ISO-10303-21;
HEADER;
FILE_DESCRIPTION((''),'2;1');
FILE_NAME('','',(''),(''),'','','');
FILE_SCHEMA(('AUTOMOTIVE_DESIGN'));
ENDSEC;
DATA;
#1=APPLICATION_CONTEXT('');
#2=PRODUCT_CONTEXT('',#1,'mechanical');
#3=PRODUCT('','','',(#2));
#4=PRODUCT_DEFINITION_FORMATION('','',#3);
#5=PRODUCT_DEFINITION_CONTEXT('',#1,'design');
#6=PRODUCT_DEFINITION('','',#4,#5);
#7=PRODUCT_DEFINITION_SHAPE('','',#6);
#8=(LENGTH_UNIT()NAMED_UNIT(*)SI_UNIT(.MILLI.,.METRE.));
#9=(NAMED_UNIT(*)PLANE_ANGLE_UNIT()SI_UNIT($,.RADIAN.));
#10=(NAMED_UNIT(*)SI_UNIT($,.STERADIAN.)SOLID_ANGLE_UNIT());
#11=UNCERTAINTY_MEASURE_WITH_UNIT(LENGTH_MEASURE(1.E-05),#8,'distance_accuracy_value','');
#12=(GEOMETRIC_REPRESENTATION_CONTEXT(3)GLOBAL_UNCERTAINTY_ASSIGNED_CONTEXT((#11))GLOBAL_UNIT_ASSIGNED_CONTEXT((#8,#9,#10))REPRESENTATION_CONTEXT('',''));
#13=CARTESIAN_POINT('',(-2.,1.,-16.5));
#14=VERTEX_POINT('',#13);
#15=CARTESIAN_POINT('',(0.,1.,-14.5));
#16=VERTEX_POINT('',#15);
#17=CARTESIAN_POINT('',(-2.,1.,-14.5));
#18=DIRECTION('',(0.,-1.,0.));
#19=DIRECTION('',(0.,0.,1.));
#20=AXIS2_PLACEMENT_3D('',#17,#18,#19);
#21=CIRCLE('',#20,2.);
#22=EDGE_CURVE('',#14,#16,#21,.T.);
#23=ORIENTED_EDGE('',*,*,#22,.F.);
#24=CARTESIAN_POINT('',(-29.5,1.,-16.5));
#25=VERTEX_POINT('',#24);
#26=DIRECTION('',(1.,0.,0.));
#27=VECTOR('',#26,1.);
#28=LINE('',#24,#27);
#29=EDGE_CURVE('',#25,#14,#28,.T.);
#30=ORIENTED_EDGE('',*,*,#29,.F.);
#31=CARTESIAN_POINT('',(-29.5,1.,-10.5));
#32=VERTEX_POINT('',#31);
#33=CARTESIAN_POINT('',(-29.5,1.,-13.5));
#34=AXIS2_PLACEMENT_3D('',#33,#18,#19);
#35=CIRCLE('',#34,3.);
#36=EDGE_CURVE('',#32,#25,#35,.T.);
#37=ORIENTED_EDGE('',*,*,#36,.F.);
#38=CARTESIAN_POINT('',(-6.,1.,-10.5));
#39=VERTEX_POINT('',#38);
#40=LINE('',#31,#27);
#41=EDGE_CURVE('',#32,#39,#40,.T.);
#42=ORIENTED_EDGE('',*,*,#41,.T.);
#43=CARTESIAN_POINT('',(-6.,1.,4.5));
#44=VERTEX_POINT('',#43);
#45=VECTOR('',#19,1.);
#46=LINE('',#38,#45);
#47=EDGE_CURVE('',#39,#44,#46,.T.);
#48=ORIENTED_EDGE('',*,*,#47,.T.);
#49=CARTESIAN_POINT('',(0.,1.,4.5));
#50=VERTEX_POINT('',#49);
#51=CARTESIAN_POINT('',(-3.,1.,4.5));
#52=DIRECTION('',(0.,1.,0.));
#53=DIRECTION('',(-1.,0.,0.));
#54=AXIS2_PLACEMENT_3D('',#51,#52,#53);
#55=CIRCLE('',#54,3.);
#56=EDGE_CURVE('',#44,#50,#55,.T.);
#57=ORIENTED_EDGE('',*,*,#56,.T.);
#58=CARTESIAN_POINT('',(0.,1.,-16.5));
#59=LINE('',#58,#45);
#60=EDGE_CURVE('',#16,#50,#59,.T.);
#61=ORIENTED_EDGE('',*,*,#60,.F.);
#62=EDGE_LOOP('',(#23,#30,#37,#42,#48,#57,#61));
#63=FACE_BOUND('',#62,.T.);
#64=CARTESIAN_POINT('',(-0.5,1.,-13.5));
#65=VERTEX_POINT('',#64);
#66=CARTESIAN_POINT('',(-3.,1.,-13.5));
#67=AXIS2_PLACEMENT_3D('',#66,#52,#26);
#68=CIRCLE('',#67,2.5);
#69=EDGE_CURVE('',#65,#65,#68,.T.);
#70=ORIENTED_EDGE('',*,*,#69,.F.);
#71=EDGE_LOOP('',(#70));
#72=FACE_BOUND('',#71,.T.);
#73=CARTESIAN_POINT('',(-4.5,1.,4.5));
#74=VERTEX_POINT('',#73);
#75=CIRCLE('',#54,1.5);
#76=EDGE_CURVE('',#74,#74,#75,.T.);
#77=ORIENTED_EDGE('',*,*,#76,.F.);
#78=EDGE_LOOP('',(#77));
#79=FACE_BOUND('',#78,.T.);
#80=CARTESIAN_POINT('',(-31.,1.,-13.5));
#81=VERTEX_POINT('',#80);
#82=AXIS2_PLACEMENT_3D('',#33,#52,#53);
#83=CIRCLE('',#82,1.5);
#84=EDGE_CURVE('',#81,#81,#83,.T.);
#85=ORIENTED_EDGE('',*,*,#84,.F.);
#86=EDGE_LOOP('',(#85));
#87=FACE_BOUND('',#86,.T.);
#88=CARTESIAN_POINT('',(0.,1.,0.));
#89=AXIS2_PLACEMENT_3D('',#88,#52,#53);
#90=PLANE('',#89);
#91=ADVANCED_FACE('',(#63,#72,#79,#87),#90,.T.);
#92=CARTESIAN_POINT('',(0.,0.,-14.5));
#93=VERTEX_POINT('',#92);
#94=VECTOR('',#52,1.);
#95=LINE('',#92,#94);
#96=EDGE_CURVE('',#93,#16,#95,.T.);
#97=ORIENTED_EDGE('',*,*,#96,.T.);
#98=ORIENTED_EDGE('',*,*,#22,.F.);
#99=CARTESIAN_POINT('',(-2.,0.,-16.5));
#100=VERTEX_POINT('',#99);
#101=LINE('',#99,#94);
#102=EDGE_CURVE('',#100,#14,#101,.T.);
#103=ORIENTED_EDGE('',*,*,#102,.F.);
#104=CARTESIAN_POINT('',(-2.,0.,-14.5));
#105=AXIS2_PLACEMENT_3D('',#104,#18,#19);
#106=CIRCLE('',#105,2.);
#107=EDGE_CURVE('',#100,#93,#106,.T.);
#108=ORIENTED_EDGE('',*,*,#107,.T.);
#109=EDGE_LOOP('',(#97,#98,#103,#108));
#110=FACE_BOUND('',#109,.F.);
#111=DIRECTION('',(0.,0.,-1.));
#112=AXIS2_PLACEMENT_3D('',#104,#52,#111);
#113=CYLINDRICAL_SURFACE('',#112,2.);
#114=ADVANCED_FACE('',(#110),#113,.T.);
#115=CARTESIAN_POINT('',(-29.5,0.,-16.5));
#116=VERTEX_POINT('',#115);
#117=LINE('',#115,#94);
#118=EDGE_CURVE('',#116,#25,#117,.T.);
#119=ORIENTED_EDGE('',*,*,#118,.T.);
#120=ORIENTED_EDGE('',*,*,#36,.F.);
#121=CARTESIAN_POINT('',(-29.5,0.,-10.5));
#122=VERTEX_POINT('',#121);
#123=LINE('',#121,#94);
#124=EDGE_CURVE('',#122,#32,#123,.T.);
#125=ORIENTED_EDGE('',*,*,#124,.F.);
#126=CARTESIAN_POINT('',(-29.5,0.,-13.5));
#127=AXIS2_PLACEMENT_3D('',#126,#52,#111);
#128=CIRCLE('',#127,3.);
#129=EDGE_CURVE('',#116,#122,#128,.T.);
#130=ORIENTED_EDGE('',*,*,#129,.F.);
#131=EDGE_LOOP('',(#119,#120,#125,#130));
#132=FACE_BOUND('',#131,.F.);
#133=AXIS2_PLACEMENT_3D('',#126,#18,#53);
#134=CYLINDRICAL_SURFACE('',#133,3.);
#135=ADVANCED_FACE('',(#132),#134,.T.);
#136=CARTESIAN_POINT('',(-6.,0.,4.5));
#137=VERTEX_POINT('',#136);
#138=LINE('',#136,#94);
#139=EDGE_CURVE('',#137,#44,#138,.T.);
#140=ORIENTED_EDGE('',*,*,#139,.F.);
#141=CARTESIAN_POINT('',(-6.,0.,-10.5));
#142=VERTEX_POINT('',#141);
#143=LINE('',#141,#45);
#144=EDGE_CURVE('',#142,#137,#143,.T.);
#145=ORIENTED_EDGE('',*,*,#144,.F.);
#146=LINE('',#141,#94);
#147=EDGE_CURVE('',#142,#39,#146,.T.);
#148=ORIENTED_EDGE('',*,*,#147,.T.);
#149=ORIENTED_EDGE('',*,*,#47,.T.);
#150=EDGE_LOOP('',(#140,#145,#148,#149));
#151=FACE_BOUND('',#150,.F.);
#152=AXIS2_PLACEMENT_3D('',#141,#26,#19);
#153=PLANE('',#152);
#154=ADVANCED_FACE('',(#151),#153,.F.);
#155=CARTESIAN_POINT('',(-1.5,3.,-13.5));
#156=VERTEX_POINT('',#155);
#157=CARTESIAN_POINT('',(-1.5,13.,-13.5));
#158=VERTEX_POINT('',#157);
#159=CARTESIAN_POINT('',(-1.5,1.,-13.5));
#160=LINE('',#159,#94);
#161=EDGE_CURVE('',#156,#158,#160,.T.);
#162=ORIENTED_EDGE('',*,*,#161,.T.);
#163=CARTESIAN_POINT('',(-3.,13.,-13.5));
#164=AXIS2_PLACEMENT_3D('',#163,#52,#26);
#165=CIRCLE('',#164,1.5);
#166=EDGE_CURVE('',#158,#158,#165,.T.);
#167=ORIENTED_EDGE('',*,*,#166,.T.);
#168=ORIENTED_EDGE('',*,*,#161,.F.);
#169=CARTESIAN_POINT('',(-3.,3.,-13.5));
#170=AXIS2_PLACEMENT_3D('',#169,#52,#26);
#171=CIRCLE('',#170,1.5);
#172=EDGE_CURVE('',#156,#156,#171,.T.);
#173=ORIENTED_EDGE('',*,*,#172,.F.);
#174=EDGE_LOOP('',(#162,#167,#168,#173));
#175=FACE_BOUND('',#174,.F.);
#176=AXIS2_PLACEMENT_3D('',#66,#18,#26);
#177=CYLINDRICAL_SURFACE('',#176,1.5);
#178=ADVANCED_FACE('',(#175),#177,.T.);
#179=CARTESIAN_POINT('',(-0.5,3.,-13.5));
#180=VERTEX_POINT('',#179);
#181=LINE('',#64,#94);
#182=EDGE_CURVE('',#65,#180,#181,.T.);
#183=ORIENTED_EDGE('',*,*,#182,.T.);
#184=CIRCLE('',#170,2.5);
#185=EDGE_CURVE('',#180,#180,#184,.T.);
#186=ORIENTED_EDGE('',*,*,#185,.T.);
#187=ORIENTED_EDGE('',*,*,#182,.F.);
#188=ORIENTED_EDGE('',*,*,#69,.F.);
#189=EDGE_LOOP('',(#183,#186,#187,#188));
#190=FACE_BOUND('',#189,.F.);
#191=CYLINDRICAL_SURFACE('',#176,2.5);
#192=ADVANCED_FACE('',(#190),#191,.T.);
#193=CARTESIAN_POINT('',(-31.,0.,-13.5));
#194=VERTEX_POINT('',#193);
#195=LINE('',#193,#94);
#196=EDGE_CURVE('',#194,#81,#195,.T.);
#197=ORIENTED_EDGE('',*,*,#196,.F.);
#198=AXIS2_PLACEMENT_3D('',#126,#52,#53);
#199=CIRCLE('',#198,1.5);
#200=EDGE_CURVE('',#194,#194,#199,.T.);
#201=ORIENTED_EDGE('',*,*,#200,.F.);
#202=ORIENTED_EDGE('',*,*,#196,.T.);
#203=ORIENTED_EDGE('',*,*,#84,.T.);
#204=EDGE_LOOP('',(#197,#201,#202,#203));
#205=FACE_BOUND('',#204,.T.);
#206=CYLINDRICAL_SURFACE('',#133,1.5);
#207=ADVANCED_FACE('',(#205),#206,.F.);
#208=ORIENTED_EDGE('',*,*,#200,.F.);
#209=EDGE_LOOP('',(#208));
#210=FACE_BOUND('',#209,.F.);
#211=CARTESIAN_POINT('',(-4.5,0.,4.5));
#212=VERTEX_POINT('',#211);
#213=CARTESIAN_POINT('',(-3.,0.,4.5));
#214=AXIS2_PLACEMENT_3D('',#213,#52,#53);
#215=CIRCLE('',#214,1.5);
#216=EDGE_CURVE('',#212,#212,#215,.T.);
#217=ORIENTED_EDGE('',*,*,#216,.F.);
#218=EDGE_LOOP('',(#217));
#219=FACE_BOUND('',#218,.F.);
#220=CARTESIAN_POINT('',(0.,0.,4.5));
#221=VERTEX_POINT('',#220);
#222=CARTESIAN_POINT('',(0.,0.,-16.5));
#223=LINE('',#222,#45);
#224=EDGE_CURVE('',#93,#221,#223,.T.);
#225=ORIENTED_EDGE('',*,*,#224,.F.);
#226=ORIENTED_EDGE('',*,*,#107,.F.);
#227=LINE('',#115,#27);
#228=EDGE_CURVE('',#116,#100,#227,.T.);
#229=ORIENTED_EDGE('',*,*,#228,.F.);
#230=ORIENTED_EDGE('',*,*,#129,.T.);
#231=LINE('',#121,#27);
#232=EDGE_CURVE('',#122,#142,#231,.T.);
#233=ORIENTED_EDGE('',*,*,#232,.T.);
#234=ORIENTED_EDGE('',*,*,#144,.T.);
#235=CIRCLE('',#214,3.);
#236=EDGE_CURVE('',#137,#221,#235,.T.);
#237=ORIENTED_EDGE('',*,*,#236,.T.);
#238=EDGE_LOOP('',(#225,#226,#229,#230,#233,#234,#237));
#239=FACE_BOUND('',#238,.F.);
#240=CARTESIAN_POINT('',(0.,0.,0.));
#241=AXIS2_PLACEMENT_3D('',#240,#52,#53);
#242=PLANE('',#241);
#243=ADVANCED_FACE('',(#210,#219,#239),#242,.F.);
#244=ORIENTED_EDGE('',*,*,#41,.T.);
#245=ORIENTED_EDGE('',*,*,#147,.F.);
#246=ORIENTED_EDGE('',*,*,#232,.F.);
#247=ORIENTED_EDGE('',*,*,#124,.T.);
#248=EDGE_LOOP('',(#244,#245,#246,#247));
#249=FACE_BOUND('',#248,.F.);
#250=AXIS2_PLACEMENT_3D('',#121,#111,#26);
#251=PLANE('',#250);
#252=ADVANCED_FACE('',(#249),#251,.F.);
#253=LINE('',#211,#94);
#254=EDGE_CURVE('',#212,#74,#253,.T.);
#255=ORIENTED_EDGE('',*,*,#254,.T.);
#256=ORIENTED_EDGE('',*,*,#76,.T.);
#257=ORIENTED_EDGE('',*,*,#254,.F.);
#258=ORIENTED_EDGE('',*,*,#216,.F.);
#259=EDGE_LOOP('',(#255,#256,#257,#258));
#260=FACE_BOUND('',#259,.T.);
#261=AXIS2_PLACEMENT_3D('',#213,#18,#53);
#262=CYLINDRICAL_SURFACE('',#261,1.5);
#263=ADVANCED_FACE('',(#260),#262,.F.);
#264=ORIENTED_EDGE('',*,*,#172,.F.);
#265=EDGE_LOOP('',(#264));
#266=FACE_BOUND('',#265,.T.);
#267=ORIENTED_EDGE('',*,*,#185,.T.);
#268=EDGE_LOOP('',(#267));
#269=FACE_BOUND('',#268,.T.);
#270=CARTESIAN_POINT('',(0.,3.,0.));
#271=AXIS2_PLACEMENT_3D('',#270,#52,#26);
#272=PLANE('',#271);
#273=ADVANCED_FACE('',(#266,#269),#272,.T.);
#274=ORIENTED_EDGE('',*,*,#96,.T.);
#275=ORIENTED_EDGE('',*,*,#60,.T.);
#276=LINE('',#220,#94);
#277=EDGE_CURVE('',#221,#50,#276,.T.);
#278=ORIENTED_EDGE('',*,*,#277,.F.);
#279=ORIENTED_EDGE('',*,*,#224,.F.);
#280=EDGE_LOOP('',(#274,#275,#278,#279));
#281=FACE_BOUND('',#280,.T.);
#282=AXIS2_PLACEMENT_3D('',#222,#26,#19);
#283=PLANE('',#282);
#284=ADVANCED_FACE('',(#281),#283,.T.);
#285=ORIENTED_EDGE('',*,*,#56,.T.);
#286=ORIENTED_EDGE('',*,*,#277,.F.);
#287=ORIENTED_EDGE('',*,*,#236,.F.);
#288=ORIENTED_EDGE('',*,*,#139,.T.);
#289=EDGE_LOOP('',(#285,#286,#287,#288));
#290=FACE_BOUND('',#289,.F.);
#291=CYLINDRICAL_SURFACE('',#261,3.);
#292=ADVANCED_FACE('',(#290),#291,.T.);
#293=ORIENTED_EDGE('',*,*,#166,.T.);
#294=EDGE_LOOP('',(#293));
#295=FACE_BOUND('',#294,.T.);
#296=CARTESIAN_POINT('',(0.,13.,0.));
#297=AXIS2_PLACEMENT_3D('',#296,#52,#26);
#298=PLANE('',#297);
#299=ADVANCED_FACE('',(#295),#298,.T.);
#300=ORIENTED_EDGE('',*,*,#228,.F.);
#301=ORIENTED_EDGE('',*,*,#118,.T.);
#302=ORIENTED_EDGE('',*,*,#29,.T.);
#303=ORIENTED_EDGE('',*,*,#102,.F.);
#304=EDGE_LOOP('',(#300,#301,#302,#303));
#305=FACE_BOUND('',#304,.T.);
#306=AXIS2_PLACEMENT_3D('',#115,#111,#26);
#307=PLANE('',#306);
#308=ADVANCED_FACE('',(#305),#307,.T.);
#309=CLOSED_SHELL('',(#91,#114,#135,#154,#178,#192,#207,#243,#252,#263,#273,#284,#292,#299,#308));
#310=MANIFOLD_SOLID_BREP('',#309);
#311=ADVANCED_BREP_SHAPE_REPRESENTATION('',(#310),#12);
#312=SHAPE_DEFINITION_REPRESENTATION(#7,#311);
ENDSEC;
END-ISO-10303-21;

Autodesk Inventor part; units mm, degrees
ref_plane "YZ Plane" through (0, 0, 0) normal (1, 0, 0) x (0, 1, 0)
ref_plane "XZ Plane" through (0, 0, 0) normal (0, 1, 0) x (-1, 0, 0)
ref_plane "XY Plane" through (0, 0, 0) normal (0, 0, 1) x (1, 0, 0)
sketch "Sketch1" plane through (0, 0, 0) normal (0, 1, 0) x (-1, 0, 0)
  circle A0 centre (3, -13.5) radius 1.5
  circle A1 centre (29.5, -13.5) radius 1.5
  circle A2 centre (29.5, -13.5) radius 3
  circle A3 centre (3, 4.5) radius 1.5
  circle A4 centre (3, 4.5) radius 3
  line L0 (29.5, -16.5) -> (0, -16.5)
  line L1 (0, -16.5) -> (0, 4.5)
  line L2 (29.5, -10.5) -> (6, -10.5)
  line L3 (6, -10.5) -> (6, 4.5)
  point P0 (0, 0)
  dimension "d24" = 3
  dimension "d57" = 3
  dimension "d58" = 6
  dimension "d59" = 3
  dimension "d60" = 6
ref_plane "Work Plane1" through (0, 1, 0) normal (0, 1, 0) x (1, 0, 0)
sketch "Sketch2" plane through (0, 1, 0) normal (0, 1, 0) x (1, 0, 0)
  line L0 (0, -4.5) -> (0, 14.5) projected
  circle A0 centre (-3, 13.5) radius 1.5 projected
  circle A1 centre (-3, 13.5) radius 1.5
  circle A2 centre (-3, 13.5) radius 2.5
  point P0 (0, 0)
  point P1 (-6, 10.5)
  dimension "d36" = 5
extrude "Extrusion5" add sketch "Sketch2" along normal blind 2
extrude "Extrusion6" add sketch "Sketch2" along normal blind 12 and the other way blind 1 contours A0
thread "Thread2" size "M3x0.5" class "6g" standard "ANSI Metric M Profile" length 5
extrude "Extrusion8" add sketch "Sketch1" along normal blind 1
fillet "Fillet3" radius 2 1 edges at (0, 0.5, -16.5)
properties part number "linkToActuator2"
